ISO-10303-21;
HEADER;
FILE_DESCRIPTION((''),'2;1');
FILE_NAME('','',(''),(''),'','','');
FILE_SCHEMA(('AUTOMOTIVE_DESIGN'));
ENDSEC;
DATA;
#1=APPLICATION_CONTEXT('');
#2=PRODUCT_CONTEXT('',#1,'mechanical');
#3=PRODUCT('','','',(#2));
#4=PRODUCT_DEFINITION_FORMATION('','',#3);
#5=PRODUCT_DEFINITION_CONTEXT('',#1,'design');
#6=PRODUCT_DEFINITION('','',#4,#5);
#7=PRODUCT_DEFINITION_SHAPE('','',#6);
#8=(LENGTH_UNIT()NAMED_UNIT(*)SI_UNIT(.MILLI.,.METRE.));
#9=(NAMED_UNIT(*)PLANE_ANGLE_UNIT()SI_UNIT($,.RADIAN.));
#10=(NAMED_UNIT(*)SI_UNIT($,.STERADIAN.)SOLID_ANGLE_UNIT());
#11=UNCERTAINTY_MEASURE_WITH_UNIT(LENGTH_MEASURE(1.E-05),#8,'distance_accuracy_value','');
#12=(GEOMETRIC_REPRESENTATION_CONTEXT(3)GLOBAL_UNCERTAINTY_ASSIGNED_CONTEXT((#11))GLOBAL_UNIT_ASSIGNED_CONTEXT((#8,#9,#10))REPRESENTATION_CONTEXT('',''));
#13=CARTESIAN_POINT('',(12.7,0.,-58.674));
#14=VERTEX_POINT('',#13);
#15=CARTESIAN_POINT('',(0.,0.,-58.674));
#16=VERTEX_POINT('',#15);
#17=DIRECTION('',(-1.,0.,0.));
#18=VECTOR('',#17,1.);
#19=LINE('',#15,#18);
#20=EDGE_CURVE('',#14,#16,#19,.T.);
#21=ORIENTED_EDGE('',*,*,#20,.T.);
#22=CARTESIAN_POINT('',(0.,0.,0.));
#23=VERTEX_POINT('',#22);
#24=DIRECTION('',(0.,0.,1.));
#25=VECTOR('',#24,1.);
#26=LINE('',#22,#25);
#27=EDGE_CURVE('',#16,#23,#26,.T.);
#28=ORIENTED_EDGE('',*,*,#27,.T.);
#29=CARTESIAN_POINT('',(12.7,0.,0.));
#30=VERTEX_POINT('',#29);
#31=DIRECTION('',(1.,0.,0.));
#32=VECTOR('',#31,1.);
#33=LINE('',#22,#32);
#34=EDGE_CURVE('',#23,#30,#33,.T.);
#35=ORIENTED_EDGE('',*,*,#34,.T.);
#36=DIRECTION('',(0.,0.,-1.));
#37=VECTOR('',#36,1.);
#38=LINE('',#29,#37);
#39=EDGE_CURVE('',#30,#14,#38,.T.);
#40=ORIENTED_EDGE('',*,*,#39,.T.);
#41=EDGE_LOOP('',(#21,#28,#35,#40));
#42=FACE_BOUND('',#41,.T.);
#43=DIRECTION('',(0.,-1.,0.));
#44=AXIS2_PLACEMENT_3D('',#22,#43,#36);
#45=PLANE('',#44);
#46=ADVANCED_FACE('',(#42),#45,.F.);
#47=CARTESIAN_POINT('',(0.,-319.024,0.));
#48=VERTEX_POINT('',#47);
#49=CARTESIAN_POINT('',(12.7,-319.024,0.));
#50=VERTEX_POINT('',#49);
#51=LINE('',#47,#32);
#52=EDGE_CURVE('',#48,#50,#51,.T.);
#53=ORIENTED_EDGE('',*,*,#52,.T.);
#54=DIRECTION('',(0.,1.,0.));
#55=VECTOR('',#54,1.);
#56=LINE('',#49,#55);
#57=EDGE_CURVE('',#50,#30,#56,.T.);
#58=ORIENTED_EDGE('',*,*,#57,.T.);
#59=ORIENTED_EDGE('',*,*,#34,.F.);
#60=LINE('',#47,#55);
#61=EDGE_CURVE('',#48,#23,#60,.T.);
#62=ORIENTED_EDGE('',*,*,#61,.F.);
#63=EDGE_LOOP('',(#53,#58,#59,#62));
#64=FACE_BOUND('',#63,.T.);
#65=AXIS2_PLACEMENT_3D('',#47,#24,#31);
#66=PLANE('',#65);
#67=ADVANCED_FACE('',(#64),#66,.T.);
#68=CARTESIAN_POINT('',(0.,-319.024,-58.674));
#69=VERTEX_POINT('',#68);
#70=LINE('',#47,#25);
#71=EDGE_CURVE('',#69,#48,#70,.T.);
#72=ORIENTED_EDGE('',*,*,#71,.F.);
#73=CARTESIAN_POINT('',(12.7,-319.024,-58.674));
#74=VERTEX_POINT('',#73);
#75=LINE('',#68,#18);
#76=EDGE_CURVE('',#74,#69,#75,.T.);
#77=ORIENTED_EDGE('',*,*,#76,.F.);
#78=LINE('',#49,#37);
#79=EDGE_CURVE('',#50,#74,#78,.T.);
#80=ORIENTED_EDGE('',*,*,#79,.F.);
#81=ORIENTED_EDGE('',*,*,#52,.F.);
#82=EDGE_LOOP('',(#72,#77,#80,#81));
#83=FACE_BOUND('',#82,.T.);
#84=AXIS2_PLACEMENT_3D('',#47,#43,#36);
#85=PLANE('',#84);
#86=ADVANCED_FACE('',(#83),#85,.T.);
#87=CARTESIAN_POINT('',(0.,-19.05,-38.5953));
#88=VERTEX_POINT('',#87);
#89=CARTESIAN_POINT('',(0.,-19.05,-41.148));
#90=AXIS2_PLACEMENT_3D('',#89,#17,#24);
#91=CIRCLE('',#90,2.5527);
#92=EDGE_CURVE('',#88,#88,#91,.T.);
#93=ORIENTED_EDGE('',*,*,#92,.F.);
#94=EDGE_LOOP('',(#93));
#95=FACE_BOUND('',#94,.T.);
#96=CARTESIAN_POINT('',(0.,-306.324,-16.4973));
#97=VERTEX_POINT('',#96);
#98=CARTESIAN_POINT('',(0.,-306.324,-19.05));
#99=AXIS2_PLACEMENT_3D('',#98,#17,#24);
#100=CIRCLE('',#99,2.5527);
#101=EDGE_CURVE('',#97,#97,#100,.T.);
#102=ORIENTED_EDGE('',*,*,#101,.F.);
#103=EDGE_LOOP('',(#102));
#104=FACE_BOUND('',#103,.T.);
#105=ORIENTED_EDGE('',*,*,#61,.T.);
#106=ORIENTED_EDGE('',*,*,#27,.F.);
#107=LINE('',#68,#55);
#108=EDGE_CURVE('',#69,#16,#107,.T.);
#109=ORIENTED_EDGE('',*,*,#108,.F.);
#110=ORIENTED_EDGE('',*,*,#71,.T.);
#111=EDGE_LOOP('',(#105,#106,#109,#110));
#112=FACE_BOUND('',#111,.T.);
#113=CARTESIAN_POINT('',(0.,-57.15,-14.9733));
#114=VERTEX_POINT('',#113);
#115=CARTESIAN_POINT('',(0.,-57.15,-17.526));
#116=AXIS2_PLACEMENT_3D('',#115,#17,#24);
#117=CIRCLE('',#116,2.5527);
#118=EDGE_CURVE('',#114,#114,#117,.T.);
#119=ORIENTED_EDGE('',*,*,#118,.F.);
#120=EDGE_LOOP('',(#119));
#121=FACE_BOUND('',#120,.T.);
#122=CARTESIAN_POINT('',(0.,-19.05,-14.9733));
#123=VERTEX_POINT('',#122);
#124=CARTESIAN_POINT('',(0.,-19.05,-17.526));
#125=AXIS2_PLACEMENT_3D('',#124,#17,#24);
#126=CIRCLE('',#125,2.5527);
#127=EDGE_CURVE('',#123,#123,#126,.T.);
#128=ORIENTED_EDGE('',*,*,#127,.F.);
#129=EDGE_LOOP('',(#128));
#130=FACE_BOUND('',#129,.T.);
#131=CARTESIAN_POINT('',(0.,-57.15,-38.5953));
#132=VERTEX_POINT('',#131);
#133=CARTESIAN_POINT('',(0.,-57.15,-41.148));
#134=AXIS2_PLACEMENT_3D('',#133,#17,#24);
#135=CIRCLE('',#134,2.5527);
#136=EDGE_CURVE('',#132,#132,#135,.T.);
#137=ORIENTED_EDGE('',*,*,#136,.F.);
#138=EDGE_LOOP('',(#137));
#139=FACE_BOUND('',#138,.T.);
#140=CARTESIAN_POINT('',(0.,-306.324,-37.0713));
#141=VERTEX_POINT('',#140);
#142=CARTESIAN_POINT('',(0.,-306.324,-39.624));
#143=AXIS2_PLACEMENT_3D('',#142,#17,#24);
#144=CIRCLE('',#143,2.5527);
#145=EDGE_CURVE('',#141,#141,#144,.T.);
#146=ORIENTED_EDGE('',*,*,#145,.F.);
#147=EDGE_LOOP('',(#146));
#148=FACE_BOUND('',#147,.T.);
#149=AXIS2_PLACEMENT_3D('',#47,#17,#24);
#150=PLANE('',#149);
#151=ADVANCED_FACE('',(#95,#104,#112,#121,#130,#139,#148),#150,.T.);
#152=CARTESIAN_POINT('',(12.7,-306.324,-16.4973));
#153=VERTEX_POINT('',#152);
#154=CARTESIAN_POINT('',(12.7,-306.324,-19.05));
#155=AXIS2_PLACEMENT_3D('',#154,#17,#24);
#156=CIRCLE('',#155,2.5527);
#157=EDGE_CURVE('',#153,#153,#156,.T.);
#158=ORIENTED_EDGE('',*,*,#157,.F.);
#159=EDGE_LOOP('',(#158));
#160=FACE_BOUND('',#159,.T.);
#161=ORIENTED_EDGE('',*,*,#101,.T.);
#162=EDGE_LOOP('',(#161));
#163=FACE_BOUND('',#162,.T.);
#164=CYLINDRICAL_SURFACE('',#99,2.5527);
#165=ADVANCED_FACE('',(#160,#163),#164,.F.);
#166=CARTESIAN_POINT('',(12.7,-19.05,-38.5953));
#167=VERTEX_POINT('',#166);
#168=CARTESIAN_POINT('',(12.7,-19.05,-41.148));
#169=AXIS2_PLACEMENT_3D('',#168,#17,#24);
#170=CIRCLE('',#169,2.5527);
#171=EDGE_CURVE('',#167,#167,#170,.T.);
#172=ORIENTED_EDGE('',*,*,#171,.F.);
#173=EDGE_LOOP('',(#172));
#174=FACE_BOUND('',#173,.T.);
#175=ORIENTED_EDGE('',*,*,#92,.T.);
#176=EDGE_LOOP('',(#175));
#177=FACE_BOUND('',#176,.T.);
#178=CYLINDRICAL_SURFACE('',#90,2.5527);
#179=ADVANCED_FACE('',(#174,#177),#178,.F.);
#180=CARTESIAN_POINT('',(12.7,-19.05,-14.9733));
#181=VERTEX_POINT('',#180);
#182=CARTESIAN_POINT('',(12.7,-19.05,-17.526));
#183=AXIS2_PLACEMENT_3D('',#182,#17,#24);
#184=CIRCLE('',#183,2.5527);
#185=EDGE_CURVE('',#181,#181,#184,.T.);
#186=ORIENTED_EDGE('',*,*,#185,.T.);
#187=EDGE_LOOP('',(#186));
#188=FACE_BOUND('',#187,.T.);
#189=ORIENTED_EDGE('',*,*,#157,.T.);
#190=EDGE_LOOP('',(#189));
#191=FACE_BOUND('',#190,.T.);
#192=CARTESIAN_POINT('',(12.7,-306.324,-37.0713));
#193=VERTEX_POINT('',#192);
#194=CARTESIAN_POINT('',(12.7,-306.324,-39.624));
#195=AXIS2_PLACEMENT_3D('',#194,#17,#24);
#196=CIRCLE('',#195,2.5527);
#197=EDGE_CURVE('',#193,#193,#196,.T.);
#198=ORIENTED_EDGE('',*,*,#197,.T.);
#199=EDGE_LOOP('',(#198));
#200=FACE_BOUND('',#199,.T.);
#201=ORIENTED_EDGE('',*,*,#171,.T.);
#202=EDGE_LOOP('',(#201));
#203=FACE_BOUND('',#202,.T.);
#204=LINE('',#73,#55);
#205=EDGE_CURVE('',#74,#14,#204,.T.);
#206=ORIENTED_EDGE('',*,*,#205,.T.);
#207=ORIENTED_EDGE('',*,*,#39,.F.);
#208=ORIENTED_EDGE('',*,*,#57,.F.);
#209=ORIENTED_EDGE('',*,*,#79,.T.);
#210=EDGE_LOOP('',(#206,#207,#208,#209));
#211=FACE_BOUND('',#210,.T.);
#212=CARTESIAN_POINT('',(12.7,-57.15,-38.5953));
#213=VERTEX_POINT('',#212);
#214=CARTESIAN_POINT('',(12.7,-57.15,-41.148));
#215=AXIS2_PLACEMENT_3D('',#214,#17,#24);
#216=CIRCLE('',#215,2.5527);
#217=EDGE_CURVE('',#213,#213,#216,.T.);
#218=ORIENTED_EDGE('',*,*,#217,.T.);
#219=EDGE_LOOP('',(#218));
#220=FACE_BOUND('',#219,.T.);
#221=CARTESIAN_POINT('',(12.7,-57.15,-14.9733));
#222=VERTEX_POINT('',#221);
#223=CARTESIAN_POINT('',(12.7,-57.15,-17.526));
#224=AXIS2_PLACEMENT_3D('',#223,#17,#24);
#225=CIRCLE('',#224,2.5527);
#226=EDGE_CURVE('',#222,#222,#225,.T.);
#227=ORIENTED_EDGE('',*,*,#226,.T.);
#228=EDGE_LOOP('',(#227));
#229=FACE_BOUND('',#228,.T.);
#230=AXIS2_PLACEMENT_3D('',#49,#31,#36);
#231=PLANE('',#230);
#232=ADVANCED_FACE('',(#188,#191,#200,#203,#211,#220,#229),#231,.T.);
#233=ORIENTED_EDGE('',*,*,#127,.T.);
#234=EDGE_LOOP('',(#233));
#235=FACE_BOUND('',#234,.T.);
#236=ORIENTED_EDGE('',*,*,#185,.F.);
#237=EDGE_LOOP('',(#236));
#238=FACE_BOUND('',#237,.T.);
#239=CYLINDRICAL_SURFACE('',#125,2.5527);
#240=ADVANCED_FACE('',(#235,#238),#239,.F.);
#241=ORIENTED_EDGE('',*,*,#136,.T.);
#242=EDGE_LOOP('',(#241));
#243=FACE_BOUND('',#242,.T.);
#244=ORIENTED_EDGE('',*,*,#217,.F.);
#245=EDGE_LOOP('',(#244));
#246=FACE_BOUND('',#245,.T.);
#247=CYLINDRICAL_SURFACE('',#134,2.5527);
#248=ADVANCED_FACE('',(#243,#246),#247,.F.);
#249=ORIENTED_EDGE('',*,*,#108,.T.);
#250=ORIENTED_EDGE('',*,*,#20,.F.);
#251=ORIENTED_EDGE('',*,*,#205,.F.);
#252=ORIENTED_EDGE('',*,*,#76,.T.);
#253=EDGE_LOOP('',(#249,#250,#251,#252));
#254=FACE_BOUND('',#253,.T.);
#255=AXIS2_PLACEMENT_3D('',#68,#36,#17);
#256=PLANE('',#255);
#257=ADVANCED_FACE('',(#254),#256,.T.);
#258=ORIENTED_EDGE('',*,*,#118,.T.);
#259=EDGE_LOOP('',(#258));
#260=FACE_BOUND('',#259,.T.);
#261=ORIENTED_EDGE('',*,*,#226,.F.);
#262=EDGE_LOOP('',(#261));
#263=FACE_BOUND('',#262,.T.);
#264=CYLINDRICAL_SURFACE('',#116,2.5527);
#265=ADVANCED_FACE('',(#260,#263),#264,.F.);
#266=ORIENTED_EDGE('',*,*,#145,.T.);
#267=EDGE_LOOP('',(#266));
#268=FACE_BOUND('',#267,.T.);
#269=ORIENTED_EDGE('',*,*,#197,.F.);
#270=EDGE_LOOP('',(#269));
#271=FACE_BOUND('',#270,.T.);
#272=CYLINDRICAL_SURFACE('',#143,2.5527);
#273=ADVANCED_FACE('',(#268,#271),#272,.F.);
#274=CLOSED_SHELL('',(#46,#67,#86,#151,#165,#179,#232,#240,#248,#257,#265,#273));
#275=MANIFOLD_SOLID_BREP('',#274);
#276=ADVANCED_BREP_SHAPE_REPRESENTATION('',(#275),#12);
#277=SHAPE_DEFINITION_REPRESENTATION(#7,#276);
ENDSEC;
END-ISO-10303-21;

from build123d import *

# Parameters (mm, degrees)
SKETCH1_W               = 12.7
SKETCH1_H               = 58.674
BOSS_EXTRUDE1_DEPTH     = 319.024
F_1_4_20_TAPPED_HOLE1_D = 5.1054


with BuildPart() as part:
    # Sketch1 → Boss-Extrude1 (new body)
    with BuildSketch(Plane(origin=(0, 0, 0), x_dir=(1, 0, 0), z_dir=(0, 1, 0))):
        with Locations((6.35, 29.337)):
            Rectangle(SKETCH1_W, SKETCH1_H)
    extrude(amount=-BOSS_EXTRUDE1_DEPTH)

    # 1/4-20 Tapped Hole1 (through all)
    with Locations(Plane(origin=(0, -306.324, -19.05), x_dir=(0, 0, -1), z_dir=(-1, 0, 0))):
        with Locations((0, 0), (20.574, 0), (22.098, -287.274), (-1.524, -287.274), (22.098, -249.174), (-1.524, -249.174)):
            Hole(F_1_4_20_TAPPED_HOLE1_D / 2)


solid = part.part
